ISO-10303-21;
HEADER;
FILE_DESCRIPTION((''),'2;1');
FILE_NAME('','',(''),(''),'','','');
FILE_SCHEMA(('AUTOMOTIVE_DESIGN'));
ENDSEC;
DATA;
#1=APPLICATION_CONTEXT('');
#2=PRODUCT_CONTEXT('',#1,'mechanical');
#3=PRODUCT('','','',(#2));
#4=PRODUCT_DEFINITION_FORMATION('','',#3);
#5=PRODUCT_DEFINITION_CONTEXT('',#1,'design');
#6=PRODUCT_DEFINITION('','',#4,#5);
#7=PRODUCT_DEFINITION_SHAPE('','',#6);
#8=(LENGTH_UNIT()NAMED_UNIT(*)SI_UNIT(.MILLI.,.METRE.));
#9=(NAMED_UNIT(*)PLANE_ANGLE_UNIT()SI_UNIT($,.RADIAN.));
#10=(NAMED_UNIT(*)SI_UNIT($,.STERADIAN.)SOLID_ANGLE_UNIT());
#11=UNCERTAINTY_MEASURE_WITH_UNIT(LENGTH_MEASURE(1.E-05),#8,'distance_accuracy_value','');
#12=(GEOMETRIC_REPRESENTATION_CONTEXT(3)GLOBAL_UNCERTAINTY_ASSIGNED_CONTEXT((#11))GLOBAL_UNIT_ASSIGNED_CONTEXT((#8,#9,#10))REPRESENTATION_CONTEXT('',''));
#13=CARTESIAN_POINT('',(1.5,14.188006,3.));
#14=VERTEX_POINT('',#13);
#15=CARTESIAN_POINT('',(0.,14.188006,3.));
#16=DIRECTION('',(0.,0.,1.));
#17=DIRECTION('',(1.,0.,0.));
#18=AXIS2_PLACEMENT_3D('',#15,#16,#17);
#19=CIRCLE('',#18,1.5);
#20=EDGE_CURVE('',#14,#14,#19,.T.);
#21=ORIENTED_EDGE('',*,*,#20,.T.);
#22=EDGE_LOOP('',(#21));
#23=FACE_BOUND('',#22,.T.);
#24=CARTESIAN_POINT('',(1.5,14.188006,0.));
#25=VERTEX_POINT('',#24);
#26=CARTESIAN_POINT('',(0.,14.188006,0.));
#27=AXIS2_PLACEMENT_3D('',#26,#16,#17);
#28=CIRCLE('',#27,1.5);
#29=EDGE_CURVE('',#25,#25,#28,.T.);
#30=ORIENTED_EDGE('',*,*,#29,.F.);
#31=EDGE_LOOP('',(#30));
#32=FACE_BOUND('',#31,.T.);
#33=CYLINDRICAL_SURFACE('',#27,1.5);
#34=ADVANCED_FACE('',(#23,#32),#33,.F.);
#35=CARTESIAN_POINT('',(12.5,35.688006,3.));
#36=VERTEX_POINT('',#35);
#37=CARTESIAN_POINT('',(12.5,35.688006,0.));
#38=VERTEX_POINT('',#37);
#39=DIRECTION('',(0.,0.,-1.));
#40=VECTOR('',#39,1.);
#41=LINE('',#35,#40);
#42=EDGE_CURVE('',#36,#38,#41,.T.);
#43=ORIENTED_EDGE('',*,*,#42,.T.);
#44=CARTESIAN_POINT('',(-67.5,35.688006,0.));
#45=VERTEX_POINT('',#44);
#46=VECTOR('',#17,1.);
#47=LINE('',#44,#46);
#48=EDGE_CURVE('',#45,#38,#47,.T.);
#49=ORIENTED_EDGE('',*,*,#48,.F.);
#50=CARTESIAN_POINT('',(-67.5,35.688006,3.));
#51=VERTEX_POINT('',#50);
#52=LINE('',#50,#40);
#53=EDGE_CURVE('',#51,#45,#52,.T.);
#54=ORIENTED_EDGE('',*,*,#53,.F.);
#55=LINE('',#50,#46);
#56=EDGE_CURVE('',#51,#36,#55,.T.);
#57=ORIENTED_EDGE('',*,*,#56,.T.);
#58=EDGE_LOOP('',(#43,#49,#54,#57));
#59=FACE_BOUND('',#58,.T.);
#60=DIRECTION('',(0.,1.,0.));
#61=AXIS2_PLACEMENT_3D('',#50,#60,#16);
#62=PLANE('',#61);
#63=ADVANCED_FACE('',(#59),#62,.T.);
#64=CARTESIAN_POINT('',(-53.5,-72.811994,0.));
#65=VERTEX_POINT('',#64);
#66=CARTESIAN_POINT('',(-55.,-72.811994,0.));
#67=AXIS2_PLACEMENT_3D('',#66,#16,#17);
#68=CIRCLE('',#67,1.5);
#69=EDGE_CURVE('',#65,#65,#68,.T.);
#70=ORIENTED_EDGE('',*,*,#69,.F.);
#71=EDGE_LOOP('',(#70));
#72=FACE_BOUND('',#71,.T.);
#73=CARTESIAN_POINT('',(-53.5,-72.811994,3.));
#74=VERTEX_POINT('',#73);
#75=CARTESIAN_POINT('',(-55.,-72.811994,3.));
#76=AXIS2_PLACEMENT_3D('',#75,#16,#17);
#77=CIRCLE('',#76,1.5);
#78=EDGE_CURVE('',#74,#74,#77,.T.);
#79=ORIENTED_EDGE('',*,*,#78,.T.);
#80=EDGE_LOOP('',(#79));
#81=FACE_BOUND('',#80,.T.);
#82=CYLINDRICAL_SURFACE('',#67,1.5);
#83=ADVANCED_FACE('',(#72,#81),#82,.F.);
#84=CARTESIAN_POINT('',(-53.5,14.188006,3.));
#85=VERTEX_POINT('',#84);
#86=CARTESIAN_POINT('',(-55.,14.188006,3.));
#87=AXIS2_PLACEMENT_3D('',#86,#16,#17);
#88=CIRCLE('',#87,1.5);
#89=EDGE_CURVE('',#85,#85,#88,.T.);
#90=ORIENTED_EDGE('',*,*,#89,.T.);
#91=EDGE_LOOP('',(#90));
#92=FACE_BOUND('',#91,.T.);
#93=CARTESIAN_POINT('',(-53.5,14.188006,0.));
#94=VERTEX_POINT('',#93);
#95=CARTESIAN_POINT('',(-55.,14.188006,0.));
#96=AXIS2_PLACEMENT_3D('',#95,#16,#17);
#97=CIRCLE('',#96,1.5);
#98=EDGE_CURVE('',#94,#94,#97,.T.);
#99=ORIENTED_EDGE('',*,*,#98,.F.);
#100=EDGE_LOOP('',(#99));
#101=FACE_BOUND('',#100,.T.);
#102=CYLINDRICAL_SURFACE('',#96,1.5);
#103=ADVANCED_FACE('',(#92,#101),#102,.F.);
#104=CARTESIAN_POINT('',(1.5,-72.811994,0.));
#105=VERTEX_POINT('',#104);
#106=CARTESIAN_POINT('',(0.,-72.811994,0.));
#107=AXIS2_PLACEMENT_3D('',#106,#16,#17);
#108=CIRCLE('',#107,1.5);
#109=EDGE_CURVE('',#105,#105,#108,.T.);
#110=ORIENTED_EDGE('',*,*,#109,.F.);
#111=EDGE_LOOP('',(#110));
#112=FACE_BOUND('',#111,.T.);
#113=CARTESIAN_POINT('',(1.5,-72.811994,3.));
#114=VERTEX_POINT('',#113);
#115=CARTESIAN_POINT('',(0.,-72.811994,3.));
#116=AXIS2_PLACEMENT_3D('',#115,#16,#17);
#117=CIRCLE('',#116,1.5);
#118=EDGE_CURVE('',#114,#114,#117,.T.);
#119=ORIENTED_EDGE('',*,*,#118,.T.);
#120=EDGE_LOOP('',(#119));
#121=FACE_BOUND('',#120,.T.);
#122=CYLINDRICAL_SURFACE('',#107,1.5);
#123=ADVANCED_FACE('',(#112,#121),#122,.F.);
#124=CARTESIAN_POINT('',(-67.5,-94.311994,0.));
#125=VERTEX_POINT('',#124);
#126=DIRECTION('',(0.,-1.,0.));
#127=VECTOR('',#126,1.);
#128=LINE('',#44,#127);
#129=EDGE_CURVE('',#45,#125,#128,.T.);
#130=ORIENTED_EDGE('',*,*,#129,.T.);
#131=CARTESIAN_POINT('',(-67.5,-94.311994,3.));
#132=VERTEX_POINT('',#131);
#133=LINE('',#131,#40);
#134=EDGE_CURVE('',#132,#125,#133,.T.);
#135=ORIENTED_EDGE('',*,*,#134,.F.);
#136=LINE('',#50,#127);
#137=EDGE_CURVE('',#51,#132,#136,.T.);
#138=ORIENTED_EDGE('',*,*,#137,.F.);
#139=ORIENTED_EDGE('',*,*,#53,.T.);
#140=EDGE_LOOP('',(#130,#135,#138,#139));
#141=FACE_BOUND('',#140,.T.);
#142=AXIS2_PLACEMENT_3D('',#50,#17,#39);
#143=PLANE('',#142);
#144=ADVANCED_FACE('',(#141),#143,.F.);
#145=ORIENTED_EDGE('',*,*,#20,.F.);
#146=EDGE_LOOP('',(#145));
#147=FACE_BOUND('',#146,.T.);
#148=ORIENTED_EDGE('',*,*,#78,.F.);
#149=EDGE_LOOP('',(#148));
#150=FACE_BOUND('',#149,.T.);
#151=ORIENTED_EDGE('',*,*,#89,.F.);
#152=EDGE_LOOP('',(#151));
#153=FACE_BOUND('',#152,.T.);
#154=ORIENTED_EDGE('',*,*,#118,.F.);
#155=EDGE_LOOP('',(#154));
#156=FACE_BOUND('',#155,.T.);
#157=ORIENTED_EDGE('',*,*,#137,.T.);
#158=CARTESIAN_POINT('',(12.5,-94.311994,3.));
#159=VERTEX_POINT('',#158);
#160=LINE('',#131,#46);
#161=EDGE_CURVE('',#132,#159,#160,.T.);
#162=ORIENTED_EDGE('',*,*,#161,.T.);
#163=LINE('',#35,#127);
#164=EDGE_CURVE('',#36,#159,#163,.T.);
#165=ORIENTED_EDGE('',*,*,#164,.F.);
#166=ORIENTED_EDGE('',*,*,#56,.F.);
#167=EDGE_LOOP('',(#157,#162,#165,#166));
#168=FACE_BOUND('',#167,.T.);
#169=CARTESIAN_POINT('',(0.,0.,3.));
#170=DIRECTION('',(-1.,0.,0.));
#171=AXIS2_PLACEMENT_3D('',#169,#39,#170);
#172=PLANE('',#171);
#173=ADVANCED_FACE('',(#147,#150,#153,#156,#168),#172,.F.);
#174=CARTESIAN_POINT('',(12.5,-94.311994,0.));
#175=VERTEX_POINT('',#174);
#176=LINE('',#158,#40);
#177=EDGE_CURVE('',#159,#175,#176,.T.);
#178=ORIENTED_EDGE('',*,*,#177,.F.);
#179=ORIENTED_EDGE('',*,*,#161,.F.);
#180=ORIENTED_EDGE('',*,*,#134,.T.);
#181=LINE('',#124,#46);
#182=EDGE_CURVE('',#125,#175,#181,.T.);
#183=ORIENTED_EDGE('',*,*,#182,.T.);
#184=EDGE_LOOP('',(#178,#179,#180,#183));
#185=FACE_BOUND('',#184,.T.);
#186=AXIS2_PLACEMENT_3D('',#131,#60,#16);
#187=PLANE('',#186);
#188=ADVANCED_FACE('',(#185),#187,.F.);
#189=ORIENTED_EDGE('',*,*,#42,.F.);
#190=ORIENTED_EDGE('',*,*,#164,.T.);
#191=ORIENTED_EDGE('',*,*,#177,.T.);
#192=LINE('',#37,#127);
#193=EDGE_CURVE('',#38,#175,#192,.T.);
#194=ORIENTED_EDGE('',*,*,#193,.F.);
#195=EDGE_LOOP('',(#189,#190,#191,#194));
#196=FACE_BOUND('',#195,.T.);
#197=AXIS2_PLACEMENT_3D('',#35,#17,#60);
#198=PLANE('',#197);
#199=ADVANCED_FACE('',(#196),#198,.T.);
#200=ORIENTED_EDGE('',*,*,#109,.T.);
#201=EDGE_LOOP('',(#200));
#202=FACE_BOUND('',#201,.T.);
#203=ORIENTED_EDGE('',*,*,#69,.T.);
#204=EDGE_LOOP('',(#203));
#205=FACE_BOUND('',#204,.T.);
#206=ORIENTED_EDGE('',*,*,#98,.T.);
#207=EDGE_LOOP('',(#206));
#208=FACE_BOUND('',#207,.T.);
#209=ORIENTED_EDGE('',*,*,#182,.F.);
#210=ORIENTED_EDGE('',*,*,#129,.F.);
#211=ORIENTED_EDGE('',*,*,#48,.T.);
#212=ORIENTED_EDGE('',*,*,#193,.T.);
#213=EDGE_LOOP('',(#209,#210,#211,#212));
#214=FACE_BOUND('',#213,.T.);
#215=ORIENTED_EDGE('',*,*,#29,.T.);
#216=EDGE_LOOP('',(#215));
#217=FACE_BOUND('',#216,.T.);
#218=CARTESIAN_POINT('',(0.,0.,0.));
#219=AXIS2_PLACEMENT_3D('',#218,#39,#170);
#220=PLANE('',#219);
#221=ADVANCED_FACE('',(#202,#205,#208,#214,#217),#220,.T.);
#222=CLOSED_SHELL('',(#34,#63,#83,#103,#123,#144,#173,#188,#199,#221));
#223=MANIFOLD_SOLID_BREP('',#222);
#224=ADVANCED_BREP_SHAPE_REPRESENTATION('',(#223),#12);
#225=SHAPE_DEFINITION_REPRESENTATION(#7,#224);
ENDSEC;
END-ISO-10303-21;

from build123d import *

# Parameters (mm, degrees)
ESBO_O1_W                = 80
ESBO_O1_H                = 130
RESSALTO_EXTRUS_O1_DEPTH = 3
ESBO_O2_R                = 1.5
CORTE_EXTRUS_O1_DEPTH    = 3
ESBO_O2_3_R              = 1.5
CORTE_EXTRUS_O2_DEPTH    = 3
ESBO_O2_4_R              = 1.5
CORTE_EXTRUS_O3_DEPTH    = 3


with BuildPart() as part:
    # Esboço1 → Ressalto-extrusão1 (new body)
    with BuildSketch(Plane.XY):
        with Locations((-27.5, -29.311993606)):
            Rectangle(ESBO_O1_W, ESBO_O1_H)
    extrude(amount=RESSALTO_EXTRUS_O1_DEPTH)

    # Esboço2 → Corte-extrusão1 (cut)
    with BuildSketch(Plane.XY.offset(3)):
        with Locations((-55, 14.188006394)):
            Circle(ESBO_O2_R)
    extrude(amount=-CORTE_EXTRUS_O1_DEPTH, mode=Mode.SUBTRACT)

    # Esboço2<3> → Corte-extrusão2 (cut)
    with BuildSketch(Plane.XY.offset(3)):
        with Locations((0, 14.188006394)):
            Circle(ESBO_O2_3_R)
    extrude(amount=-CORTE_EXTRUS_O2_DEPTH, mode=Mode.SUBTRACT)

    # Esboço2<4> → Corte-extrusão3 (cut)
    with BuildSketch(Plane.XY.offset(3)):
        with Locations((0, -72.811993606)):
            Circle(ESBO_O2_4_R)
        with Locations((-55, -72.811993606)):
            Circle(ESBO_O2_4_R)
    extrude(amount=-CORTE_EXTRUS_O3_DEPTH, mode=Mode.SUBTRACT)


solid = part.part
